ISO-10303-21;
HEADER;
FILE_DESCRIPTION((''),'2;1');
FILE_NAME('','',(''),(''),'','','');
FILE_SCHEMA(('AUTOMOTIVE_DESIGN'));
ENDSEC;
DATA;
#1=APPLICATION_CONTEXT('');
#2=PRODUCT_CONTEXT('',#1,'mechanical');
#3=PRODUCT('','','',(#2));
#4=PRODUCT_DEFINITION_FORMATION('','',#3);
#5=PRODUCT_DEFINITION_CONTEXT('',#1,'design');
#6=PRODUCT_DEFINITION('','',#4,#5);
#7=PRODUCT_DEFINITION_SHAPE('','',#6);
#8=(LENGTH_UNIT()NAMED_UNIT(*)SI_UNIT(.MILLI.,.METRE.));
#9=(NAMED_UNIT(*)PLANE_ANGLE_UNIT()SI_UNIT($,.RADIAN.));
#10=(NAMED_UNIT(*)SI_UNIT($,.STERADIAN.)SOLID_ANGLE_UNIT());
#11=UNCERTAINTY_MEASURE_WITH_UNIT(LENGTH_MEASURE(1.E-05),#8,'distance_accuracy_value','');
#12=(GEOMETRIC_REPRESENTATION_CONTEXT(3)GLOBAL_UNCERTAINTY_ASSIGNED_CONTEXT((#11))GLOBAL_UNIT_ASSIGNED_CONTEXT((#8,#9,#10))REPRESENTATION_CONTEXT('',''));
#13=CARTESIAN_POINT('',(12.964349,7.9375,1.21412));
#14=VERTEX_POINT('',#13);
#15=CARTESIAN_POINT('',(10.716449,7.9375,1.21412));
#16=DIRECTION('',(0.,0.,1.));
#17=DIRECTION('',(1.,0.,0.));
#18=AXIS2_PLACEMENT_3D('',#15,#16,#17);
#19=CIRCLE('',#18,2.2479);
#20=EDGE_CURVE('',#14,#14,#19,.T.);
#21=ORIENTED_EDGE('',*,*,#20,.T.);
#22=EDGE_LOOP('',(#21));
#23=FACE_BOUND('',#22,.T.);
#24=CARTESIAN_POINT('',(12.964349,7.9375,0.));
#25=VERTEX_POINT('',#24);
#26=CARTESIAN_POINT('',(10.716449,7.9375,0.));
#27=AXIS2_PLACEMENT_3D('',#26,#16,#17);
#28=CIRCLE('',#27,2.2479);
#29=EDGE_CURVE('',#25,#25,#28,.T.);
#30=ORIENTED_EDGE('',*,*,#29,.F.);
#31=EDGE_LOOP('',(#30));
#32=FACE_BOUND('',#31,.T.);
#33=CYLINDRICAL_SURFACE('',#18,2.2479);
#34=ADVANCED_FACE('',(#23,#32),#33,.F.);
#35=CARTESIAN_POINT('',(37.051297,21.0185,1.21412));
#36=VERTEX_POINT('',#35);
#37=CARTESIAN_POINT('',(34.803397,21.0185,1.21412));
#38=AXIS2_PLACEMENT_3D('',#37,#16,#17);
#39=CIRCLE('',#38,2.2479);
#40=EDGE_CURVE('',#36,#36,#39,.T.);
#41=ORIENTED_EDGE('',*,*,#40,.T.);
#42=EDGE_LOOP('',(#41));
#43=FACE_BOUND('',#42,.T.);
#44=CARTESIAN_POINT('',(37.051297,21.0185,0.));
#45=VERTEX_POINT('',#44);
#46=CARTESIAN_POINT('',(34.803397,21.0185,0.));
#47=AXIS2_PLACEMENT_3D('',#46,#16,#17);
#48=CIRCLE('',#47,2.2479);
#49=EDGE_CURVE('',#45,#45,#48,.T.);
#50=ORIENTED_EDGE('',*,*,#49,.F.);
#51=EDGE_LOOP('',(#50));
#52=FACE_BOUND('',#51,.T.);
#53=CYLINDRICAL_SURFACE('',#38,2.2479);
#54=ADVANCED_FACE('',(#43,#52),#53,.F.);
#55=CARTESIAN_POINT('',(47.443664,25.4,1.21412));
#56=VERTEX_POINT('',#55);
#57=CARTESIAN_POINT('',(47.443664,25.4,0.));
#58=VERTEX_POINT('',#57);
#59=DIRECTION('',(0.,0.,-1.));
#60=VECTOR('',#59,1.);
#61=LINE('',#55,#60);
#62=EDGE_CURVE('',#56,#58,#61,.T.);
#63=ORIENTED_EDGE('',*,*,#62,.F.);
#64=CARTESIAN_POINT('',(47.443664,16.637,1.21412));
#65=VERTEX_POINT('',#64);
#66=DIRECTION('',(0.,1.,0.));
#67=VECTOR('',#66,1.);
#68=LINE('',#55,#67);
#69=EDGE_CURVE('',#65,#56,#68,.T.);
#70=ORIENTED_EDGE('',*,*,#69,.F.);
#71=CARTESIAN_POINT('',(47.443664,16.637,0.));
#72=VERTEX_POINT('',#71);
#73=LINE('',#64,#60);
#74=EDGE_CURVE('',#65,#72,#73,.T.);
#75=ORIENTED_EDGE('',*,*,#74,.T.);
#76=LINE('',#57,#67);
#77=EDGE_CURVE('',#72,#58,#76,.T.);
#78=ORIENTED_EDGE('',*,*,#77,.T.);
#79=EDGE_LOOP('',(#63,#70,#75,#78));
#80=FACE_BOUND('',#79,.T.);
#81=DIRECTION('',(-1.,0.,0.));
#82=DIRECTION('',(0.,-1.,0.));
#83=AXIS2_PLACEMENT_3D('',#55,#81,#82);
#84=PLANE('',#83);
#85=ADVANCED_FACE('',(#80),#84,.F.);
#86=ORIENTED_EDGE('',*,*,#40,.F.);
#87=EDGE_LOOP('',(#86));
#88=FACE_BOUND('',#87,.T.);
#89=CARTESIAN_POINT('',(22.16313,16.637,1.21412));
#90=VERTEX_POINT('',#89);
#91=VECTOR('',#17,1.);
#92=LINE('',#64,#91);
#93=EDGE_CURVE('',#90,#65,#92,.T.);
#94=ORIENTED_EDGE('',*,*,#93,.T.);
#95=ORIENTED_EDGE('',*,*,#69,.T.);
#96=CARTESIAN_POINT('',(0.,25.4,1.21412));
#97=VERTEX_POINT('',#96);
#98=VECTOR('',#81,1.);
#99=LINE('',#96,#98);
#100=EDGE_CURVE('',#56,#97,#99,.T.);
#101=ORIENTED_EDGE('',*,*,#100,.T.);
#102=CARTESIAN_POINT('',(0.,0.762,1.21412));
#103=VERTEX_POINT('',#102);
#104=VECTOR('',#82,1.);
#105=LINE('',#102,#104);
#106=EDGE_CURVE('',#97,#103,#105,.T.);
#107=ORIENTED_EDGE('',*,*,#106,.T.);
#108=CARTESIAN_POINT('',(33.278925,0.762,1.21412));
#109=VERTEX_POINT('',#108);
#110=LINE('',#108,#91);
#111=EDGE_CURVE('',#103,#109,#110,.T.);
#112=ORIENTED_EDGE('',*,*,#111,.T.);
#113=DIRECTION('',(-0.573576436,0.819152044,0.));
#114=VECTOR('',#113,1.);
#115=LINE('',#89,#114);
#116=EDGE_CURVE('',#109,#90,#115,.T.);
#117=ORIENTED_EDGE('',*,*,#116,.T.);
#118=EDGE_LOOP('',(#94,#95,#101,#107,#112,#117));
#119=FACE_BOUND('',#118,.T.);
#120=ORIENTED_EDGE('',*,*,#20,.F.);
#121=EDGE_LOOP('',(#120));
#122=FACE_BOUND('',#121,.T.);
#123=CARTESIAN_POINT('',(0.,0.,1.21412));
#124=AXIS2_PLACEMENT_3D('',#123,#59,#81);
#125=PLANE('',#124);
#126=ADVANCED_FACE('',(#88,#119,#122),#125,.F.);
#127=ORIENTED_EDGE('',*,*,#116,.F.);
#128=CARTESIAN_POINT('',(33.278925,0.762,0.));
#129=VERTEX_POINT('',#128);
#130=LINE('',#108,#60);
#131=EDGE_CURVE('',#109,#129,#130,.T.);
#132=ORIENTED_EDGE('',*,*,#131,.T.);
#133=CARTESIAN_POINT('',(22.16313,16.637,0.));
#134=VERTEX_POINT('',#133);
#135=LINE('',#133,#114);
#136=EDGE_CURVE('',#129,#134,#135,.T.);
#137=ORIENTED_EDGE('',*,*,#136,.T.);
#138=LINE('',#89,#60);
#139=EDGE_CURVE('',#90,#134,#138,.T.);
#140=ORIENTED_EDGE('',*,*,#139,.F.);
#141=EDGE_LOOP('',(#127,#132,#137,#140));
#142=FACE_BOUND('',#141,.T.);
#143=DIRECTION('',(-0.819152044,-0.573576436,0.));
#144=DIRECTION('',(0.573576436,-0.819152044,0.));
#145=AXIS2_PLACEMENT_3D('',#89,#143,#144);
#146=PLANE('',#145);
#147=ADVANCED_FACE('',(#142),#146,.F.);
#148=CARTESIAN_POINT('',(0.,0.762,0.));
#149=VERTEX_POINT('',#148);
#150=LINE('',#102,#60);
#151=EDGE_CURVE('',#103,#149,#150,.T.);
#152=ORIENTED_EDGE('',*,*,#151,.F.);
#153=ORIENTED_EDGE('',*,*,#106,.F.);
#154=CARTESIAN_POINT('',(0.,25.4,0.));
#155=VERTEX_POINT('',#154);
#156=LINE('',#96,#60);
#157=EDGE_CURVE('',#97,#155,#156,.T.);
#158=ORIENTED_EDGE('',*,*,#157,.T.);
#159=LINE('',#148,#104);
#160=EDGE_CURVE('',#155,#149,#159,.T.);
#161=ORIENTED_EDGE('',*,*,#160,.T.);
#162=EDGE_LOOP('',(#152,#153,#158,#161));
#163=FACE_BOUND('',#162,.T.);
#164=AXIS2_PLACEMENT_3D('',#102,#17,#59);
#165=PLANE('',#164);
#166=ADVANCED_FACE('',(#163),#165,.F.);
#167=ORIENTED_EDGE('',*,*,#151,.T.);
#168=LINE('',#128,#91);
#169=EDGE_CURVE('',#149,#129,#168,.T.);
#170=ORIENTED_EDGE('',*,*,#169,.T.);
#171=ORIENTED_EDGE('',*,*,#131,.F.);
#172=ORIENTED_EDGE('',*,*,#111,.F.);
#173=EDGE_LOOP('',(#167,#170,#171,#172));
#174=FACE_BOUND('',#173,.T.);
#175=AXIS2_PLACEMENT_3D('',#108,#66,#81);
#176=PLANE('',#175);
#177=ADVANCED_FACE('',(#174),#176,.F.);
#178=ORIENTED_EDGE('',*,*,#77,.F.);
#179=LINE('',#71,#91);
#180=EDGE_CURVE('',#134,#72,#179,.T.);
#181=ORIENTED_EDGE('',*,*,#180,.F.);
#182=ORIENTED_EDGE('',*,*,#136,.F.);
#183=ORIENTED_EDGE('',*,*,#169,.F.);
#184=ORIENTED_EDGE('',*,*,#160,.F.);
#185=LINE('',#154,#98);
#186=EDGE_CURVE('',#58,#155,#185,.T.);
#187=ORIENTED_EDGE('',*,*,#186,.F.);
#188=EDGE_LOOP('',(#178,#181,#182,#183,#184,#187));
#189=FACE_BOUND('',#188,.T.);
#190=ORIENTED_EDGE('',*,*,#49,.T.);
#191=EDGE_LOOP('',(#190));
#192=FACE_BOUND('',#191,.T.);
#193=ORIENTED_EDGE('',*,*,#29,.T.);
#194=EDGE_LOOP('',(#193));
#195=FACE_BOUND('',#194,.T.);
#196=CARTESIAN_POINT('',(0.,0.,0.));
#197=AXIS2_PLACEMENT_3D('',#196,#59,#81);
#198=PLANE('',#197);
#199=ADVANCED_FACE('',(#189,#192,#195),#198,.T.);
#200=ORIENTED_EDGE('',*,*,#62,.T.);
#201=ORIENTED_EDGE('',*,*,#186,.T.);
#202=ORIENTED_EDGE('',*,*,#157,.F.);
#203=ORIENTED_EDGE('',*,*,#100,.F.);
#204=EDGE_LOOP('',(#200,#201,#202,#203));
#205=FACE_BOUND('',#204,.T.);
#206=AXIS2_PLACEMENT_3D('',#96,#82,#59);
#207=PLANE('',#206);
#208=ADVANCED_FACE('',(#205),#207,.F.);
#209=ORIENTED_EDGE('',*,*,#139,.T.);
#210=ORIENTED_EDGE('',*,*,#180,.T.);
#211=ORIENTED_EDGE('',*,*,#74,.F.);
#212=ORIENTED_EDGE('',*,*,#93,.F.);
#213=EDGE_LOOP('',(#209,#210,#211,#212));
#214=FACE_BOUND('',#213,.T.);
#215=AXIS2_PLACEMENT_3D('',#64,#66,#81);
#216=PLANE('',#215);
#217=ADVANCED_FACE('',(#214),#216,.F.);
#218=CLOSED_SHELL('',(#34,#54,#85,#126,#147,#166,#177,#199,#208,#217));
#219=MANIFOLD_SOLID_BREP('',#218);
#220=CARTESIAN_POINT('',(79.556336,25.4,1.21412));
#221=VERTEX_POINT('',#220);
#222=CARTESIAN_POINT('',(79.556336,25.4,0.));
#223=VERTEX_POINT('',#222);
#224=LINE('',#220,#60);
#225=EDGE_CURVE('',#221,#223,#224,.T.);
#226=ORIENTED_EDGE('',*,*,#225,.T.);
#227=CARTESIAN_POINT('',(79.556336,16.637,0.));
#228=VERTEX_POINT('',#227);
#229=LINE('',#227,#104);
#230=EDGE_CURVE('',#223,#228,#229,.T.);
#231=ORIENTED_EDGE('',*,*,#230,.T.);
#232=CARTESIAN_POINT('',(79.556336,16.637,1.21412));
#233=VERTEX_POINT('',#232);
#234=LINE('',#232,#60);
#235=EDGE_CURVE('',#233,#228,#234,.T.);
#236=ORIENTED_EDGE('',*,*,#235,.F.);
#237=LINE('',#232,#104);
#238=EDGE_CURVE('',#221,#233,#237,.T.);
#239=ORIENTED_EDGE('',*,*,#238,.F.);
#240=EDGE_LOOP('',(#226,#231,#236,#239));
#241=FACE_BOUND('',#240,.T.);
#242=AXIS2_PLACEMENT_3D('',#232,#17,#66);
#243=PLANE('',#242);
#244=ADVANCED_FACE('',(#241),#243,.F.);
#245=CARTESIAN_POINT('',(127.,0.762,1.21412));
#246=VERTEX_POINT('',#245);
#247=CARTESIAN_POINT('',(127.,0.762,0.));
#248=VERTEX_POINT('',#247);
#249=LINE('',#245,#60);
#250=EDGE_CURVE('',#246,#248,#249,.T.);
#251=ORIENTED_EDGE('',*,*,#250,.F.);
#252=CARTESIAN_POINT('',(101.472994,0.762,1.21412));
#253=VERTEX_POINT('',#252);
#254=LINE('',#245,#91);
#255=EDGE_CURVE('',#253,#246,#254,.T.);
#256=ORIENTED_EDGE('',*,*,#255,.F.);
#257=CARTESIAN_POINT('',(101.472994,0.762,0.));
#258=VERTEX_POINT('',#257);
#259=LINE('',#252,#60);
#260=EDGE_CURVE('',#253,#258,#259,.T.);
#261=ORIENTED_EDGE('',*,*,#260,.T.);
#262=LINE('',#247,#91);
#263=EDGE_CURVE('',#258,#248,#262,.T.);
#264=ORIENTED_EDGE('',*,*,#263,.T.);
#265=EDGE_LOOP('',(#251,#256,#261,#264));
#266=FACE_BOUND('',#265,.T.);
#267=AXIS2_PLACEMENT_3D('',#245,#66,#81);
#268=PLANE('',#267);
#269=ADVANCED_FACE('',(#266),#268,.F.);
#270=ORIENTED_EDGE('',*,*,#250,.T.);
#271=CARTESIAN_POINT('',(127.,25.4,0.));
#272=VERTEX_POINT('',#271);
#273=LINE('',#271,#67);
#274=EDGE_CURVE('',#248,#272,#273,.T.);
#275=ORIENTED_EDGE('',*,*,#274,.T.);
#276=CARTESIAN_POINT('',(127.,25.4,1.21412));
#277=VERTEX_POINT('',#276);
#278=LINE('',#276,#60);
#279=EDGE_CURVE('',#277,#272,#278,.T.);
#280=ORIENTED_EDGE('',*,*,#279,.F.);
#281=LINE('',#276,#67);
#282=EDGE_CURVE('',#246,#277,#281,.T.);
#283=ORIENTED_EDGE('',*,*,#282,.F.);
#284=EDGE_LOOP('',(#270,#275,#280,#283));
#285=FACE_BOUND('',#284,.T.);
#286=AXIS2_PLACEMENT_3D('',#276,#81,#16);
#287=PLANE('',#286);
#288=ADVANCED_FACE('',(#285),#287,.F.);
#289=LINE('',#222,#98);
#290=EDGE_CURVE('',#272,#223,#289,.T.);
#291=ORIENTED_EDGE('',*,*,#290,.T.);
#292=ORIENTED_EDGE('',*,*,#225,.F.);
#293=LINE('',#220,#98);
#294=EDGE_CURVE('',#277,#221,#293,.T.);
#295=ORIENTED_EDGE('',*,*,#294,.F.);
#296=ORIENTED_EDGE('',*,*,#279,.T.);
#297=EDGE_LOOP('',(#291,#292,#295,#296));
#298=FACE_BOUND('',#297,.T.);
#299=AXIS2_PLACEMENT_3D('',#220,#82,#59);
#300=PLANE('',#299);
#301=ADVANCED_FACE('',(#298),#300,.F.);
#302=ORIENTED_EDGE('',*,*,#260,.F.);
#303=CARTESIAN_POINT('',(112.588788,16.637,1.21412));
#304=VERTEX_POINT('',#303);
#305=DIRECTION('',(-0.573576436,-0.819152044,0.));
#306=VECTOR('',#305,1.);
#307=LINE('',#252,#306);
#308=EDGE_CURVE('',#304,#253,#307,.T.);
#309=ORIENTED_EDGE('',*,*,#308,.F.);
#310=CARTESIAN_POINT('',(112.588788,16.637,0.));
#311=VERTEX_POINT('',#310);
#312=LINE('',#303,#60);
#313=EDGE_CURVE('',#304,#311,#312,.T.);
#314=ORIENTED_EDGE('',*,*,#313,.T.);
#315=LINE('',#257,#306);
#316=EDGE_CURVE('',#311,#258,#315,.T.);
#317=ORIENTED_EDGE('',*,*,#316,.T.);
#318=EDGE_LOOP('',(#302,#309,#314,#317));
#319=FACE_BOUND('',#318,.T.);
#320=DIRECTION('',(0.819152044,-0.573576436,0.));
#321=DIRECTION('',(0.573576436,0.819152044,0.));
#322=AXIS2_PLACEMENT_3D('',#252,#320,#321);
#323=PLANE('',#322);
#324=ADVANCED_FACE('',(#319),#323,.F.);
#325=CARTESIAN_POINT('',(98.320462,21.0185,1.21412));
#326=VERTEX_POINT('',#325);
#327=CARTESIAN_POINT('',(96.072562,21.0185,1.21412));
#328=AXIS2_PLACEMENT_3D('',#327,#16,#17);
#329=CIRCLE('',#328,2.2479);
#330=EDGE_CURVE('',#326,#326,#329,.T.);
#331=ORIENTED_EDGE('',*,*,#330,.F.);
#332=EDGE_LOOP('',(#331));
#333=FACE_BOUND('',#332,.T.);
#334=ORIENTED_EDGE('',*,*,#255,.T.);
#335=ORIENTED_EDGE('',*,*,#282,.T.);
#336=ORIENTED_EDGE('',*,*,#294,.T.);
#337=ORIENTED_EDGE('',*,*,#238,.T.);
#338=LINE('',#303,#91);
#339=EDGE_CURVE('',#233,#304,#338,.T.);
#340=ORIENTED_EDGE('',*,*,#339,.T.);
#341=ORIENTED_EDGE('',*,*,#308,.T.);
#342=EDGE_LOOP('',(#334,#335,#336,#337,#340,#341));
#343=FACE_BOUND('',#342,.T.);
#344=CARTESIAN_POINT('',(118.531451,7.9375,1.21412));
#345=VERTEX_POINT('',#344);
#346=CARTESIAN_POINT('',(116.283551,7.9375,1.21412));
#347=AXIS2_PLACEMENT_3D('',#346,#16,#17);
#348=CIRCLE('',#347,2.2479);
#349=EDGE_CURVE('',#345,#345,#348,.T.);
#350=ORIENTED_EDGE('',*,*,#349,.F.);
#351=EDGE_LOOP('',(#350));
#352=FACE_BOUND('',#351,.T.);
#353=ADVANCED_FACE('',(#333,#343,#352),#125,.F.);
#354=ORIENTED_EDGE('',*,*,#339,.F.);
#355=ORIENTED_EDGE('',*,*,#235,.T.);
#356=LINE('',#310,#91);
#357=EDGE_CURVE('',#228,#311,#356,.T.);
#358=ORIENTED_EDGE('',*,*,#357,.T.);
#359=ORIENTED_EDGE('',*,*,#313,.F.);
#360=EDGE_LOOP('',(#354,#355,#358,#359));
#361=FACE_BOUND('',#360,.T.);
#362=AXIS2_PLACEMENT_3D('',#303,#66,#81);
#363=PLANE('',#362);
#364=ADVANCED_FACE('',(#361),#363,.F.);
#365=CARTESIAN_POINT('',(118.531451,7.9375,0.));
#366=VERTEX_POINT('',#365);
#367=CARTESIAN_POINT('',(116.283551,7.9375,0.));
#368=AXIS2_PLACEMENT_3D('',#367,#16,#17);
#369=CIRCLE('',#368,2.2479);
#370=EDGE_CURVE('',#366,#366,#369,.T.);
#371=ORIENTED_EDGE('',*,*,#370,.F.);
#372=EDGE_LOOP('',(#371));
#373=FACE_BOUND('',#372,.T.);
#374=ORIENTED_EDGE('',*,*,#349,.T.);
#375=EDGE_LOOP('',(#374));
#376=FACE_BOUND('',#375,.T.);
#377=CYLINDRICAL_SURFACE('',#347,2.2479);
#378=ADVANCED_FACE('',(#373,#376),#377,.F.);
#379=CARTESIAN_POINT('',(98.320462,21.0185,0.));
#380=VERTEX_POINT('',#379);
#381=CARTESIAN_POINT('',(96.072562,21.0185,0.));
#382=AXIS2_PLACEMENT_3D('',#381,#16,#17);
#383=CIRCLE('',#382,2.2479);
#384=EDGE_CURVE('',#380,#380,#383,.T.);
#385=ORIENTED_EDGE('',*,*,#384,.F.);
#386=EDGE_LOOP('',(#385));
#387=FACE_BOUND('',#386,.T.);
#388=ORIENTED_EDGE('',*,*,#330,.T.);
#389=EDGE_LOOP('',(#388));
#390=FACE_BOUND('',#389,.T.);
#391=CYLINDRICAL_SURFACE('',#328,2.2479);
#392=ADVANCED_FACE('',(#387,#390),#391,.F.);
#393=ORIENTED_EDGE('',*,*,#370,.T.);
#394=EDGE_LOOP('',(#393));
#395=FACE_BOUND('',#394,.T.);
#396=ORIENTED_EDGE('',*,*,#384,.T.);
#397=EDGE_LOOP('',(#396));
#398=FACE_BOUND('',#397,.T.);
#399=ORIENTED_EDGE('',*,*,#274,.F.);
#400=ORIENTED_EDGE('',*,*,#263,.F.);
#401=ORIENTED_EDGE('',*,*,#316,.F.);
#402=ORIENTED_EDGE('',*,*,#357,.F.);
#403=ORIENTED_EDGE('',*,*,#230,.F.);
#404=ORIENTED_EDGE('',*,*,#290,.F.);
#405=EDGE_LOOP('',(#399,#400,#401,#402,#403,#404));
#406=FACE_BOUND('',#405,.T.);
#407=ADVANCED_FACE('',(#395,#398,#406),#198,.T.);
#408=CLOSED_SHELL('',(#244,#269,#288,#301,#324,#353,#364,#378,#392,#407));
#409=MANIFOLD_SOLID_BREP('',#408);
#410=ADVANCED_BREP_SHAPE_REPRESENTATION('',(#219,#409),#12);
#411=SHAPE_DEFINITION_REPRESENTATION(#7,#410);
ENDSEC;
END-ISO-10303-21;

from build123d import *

# Parameters (mm, degrees)
BOSS_EXTRUDE1_DEPTH            = 1.21412
BOSS_EXTRUDE1_2_DEPTH          = 1.21412
SKETCH3_W                      = 2.2479
SKETCH3_H                      = 1.21412
F_8_CLEARANCE_HOLE1_AT_2_COUNT = 2
F_8_CLEARANCE_HOLE1_AT_2_PITCH = 27.409736217
F_8_CLEARANCE_HOLE1_AT_3_COUNT = 2
F_8_CLEARANCE_HOLE1_AT_3_PITCH = 86.352641558
F_8_CLEARANCE_HOLE1_AT_4_COUNT = 2
F_8_CLEARANCE_HOLE1_AT_4_PITCH = 105.567102665


with BuildPart() as part:
    # Sketch1 → Boss-Extrude1 (new body)
    with BuildSketch(Plane.XY):
        Polygon((0, 25.4), (47.443663681, 25.4), (47.443663681, 16.637), (22.163130258, 16.637), (33.278924927, 0.762), (0, 0.762), align=None)
    extrude(amount=BOSS_EXTRUDE1_DEPTH)

    # Sketch3 → #8 Clearance Hole1 (revolve, cut)
    with BuildSketch(Plane(origin=(10.716448667, 7.9375, 1.21412), x_dir=(0, -1, 0), z_dir=(1, 0, 0))):
        with Locations((1.12395, 0.60706)):
            Rectangle(SKETCH3_W, SKETCH3_H)
    f_8_clearance_hole1 = revolve(axis=Axis((10.716448667, 7.9375, 7.56412), (0, 0, -1)), mode=Mode.SUBTRACT)

    # #8 Clearance Hole1 at 2: #8 Clearance Hole1 ×2
    with Locations(*[Vector(0.8787734442616352, 0.4772391786730663, 0) * (i * F_8_CLEARANCE_HOLE1_AT_2_PITCH) for i in range(1, F_8_CLEARANCE_HOLE1_AT_2_COUNT)]):
        add(f_8_clearance_hole1, mode=Mode.SUBTRACT)


with BuildPart() as body_2:
    # Sketch1 → Boss-Extrude1 2 (new body)
    with BuildSketch(Plane.XY):
        Polygon((79.556336319, 25.4), (127, 25.4), (127, 0.762), (101.472993712, 0.762), (112.588788381, 16.637), (79.556336319, 16.637), align=None)
    extrude(amount=BOSS_EXTRUDE1_2_DEPTH)

    # #8 Clearance Hole1 at 3: #8 Clearance Hole1 ×2
    with Locations(*[Vector(0.9884597870181576, 0.1514834956291232, 0) * (i * F_8_CLEARANCE_HOLE1_AT_3_PITCH) for i in range(1, F_8_CLEARANCE_HOLE1_AT_3_COUNT)]):
        add(f_8_clearance_hole1, mode=Mode.SUBTRACT)

    # #8 Clearance Hole1 at 4: #8 Clearance Hole1 ×2
    with Locations(*[(i * F_8_CLEARANCE_HOLE1_AT_4_PITCH, 0, 0) for i in range(1, F_8_CLEARANCE_HOLE1_AT_4_COUNT)]):
        add(f_8_clearance_hole1, mode=Mode.SUBTRACT)


solid = Compound([part.part, body_2.part])
